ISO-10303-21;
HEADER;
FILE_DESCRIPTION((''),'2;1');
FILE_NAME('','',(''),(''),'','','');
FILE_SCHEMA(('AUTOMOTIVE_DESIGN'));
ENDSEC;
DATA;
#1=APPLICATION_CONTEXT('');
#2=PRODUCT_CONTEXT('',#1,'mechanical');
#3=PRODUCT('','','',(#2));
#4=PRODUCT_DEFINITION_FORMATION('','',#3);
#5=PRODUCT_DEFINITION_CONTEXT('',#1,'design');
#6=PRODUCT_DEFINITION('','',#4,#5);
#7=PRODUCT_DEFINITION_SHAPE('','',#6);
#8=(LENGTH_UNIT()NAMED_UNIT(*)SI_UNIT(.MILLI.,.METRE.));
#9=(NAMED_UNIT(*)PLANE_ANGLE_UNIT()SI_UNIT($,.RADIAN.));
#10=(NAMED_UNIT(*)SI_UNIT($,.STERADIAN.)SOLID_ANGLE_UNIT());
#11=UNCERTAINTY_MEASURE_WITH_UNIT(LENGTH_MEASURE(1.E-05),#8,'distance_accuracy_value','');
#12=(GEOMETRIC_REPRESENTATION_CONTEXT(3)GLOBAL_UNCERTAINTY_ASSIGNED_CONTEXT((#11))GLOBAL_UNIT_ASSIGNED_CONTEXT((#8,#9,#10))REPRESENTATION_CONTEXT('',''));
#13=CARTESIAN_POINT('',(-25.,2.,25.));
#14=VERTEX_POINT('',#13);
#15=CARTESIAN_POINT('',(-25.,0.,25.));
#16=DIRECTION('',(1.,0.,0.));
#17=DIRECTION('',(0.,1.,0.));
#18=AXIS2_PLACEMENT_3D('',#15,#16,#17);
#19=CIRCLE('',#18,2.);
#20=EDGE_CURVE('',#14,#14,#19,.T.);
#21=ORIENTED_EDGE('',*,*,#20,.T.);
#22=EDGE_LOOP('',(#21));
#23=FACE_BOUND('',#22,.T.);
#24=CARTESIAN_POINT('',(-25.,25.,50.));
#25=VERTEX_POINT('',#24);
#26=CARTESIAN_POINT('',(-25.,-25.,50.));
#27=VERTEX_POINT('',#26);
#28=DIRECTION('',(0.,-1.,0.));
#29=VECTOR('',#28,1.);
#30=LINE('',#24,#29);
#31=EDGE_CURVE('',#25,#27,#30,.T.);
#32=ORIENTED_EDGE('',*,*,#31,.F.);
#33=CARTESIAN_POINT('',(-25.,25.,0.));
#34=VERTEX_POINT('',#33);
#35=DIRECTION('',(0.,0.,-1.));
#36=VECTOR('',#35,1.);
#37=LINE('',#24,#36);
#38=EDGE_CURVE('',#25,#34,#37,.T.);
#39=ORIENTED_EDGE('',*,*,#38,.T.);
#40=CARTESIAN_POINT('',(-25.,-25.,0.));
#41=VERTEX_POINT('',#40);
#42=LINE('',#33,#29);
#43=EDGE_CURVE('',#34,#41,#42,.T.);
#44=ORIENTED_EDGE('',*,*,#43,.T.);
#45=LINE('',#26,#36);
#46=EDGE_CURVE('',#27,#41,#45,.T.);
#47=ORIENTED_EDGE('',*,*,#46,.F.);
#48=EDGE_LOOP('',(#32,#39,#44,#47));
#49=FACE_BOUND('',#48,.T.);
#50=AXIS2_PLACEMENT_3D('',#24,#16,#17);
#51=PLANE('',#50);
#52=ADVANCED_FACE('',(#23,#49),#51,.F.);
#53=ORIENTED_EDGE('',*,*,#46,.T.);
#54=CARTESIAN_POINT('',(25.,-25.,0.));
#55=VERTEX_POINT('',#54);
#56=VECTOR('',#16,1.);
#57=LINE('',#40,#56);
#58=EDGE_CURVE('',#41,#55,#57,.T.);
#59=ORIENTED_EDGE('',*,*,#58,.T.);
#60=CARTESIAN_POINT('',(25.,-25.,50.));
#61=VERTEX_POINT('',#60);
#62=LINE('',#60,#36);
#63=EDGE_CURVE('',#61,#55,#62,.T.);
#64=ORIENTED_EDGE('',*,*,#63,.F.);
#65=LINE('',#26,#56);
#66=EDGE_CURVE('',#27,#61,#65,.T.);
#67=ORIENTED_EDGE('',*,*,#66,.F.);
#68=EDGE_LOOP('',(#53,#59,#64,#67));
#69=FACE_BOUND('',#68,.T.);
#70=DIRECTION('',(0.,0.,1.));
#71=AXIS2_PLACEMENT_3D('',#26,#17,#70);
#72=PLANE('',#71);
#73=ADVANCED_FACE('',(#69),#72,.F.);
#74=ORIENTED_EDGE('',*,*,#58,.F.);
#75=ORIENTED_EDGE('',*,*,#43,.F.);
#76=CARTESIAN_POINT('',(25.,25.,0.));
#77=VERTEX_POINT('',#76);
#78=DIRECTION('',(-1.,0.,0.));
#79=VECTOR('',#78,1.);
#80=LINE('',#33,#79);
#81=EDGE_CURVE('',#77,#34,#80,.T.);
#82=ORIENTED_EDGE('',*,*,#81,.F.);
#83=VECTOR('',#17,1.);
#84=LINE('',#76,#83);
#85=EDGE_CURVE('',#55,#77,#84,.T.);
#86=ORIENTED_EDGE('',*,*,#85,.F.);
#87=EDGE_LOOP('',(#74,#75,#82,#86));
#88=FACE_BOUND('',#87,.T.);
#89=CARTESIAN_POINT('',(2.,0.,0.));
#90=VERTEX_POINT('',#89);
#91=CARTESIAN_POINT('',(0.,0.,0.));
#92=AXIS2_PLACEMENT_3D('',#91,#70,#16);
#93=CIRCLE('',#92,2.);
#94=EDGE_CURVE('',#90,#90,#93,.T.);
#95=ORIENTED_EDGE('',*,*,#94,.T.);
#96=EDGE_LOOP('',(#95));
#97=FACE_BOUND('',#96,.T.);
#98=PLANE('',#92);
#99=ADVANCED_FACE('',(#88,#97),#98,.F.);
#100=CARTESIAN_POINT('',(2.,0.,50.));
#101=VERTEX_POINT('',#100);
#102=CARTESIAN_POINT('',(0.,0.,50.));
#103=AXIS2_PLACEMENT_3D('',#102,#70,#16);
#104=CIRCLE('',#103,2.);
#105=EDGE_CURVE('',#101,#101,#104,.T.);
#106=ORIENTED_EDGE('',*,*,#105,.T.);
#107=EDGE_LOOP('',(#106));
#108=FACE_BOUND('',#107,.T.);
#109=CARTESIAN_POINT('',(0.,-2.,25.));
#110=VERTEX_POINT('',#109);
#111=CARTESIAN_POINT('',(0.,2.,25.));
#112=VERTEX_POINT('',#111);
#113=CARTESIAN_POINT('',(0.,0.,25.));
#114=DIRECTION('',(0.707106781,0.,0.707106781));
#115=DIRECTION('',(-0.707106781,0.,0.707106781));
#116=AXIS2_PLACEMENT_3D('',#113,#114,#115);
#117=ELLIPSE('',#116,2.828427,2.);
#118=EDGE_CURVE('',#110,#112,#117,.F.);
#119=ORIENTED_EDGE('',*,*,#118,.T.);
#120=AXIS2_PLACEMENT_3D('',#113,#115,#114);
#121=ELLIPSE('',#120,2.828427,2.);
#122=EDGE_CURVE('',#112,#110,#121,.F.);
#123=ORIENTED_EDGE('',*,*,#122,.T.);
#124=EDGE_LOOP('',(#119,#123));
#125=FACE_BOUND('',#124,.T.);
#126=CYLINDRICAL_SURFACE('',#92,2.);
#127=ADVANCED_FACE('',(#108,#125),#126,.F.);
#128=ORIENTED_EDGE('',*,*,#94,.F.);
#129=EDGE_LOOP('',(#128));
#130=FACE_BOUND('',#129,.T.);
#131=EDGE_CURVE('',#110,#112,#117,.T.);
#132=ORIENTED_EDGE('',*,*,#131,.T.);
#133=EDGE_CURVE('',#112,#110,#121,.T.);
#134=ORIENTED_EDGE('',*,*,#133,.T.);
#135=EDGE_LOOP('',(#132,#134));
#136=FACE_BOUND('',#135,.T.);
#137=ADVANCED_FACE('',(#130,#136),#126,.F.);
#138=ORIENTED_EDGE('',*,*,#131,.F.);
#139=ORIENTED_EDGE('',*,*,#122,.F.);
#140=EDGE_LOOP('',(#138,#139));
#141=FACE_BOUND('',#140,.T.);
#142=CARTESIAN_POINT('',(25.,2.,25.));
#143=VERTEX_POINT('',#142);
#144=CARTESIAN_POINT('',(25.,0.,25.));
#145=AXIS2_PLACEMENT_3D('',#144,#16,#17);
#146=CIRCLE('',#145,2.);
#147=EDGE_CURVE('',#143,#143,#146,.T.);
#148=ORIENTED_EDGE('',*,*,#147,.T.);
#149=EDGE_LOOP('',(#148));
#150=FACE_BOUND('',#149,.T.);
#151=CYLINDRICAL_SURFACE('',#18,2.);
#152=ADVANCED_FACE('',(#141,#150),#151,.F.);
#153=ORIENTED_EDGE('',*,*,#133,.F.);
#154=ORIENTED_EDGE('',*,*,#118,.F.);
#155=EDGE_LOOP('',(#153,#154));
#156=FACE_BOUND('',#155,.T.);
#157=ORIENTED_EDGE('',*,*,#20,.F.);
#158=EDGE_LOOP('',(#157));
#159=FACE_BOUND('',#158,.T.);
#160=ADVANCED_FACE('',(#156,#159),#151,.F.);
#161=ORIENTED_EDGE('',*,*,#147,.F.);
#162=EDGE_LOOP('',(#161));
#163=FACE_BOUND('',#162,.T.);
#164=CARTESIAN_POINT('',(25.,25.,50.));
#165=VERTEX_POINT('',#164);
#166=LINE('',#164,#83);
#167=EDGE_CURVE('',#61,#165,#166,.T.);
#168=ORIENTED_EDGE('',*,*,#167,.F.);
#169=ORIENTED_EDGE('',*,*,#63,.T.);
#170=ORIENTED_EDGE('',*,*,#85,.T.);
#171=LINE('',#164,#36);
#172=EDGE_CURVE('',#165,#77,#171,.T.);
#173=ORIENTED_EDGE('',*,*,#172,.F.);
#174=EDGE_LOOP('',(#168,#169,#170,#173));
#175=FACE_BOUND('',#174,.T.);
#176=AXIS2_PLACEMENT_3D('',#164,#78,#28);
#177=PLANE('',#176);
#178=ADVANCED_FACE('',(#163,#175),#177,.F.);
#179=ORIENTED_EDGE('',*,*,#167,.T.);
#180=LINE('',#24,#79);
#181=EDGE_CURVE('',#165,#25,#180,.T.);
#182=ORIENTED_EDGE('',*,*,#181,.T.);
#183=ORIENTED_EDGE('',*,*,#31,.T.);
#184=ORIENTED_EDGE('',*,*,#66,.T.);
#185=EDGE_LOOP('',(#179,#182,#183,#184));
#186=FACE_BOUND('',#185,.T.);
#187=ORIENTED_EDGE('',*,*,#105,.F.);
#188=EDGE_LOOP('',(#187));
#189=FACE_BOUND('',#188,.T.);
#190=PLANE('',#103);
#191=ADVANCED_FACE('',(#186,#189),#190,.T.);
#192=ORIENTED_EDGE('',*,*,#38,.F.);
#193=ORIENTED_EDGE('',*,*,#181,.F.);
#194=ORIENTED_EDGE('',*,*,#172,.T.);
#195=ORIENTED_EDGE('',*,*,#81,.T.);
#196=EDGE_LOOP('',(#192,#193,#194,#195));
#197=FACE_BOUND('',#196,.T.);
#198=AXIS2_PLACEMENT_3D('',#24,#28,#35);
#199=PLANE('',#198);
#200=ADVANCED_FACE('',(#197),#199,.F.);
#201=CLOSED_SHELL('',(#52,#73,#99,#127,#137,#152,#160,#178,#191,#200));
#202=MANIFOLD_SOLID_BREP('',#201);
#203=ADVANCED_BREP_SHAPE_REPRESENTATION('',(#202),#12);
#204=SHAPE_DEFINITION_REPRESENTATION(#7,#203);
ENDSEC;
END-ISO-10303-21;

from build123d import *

# Parameters (mm, degrees)
ESBO_O5_W                = 50
ESBO_O5_H                = 50
RESSALTO_EXTRUS_O2_DEPTH = 50
ESBO_O6_R                = 2
CORTE_EXTRUS_O1_DEPTH    = 50
ESBO_O7_R                = 2
CORTE_EXTRUS_O2_DEPTH    = 50


with BuildPart() as part:
    # Esboço5 → Ressalto-extrusão2 (new body)
    with BuildSketch(Plane.XY):
        Rectangle(ESBO_O5_W, ESBO_O5_H)
    extrude(amount=RESSALTO_EXTRUS_O2_DEPTH)

    # Esboço6 → Corte-extrusão1 (cut)
    with BuildSketch(Plane.XY.offset(50)):
        Circle(ESBO_O6_R)
    extrude(amount=-CORTE_EXTRUS_O1_DEPTH, mode=Mode.SUBTRACT)

    # Esboço7 → Corte-extrusão2 (cut)
    with BuildSketch(Plane(origin=(25, 0, 0), x_dir=(0, 0, -1), z_dir=(1, 0, 0))):
        with Locations(Location((-25, 0, 0), (0, 0, 90))):
            Circle(ESBO_O7_R)
    extrude(amount=-CORTE_EXTRUS_O2_DEPTH, mode=Mode.SUBTRACT)


solid = part.part
